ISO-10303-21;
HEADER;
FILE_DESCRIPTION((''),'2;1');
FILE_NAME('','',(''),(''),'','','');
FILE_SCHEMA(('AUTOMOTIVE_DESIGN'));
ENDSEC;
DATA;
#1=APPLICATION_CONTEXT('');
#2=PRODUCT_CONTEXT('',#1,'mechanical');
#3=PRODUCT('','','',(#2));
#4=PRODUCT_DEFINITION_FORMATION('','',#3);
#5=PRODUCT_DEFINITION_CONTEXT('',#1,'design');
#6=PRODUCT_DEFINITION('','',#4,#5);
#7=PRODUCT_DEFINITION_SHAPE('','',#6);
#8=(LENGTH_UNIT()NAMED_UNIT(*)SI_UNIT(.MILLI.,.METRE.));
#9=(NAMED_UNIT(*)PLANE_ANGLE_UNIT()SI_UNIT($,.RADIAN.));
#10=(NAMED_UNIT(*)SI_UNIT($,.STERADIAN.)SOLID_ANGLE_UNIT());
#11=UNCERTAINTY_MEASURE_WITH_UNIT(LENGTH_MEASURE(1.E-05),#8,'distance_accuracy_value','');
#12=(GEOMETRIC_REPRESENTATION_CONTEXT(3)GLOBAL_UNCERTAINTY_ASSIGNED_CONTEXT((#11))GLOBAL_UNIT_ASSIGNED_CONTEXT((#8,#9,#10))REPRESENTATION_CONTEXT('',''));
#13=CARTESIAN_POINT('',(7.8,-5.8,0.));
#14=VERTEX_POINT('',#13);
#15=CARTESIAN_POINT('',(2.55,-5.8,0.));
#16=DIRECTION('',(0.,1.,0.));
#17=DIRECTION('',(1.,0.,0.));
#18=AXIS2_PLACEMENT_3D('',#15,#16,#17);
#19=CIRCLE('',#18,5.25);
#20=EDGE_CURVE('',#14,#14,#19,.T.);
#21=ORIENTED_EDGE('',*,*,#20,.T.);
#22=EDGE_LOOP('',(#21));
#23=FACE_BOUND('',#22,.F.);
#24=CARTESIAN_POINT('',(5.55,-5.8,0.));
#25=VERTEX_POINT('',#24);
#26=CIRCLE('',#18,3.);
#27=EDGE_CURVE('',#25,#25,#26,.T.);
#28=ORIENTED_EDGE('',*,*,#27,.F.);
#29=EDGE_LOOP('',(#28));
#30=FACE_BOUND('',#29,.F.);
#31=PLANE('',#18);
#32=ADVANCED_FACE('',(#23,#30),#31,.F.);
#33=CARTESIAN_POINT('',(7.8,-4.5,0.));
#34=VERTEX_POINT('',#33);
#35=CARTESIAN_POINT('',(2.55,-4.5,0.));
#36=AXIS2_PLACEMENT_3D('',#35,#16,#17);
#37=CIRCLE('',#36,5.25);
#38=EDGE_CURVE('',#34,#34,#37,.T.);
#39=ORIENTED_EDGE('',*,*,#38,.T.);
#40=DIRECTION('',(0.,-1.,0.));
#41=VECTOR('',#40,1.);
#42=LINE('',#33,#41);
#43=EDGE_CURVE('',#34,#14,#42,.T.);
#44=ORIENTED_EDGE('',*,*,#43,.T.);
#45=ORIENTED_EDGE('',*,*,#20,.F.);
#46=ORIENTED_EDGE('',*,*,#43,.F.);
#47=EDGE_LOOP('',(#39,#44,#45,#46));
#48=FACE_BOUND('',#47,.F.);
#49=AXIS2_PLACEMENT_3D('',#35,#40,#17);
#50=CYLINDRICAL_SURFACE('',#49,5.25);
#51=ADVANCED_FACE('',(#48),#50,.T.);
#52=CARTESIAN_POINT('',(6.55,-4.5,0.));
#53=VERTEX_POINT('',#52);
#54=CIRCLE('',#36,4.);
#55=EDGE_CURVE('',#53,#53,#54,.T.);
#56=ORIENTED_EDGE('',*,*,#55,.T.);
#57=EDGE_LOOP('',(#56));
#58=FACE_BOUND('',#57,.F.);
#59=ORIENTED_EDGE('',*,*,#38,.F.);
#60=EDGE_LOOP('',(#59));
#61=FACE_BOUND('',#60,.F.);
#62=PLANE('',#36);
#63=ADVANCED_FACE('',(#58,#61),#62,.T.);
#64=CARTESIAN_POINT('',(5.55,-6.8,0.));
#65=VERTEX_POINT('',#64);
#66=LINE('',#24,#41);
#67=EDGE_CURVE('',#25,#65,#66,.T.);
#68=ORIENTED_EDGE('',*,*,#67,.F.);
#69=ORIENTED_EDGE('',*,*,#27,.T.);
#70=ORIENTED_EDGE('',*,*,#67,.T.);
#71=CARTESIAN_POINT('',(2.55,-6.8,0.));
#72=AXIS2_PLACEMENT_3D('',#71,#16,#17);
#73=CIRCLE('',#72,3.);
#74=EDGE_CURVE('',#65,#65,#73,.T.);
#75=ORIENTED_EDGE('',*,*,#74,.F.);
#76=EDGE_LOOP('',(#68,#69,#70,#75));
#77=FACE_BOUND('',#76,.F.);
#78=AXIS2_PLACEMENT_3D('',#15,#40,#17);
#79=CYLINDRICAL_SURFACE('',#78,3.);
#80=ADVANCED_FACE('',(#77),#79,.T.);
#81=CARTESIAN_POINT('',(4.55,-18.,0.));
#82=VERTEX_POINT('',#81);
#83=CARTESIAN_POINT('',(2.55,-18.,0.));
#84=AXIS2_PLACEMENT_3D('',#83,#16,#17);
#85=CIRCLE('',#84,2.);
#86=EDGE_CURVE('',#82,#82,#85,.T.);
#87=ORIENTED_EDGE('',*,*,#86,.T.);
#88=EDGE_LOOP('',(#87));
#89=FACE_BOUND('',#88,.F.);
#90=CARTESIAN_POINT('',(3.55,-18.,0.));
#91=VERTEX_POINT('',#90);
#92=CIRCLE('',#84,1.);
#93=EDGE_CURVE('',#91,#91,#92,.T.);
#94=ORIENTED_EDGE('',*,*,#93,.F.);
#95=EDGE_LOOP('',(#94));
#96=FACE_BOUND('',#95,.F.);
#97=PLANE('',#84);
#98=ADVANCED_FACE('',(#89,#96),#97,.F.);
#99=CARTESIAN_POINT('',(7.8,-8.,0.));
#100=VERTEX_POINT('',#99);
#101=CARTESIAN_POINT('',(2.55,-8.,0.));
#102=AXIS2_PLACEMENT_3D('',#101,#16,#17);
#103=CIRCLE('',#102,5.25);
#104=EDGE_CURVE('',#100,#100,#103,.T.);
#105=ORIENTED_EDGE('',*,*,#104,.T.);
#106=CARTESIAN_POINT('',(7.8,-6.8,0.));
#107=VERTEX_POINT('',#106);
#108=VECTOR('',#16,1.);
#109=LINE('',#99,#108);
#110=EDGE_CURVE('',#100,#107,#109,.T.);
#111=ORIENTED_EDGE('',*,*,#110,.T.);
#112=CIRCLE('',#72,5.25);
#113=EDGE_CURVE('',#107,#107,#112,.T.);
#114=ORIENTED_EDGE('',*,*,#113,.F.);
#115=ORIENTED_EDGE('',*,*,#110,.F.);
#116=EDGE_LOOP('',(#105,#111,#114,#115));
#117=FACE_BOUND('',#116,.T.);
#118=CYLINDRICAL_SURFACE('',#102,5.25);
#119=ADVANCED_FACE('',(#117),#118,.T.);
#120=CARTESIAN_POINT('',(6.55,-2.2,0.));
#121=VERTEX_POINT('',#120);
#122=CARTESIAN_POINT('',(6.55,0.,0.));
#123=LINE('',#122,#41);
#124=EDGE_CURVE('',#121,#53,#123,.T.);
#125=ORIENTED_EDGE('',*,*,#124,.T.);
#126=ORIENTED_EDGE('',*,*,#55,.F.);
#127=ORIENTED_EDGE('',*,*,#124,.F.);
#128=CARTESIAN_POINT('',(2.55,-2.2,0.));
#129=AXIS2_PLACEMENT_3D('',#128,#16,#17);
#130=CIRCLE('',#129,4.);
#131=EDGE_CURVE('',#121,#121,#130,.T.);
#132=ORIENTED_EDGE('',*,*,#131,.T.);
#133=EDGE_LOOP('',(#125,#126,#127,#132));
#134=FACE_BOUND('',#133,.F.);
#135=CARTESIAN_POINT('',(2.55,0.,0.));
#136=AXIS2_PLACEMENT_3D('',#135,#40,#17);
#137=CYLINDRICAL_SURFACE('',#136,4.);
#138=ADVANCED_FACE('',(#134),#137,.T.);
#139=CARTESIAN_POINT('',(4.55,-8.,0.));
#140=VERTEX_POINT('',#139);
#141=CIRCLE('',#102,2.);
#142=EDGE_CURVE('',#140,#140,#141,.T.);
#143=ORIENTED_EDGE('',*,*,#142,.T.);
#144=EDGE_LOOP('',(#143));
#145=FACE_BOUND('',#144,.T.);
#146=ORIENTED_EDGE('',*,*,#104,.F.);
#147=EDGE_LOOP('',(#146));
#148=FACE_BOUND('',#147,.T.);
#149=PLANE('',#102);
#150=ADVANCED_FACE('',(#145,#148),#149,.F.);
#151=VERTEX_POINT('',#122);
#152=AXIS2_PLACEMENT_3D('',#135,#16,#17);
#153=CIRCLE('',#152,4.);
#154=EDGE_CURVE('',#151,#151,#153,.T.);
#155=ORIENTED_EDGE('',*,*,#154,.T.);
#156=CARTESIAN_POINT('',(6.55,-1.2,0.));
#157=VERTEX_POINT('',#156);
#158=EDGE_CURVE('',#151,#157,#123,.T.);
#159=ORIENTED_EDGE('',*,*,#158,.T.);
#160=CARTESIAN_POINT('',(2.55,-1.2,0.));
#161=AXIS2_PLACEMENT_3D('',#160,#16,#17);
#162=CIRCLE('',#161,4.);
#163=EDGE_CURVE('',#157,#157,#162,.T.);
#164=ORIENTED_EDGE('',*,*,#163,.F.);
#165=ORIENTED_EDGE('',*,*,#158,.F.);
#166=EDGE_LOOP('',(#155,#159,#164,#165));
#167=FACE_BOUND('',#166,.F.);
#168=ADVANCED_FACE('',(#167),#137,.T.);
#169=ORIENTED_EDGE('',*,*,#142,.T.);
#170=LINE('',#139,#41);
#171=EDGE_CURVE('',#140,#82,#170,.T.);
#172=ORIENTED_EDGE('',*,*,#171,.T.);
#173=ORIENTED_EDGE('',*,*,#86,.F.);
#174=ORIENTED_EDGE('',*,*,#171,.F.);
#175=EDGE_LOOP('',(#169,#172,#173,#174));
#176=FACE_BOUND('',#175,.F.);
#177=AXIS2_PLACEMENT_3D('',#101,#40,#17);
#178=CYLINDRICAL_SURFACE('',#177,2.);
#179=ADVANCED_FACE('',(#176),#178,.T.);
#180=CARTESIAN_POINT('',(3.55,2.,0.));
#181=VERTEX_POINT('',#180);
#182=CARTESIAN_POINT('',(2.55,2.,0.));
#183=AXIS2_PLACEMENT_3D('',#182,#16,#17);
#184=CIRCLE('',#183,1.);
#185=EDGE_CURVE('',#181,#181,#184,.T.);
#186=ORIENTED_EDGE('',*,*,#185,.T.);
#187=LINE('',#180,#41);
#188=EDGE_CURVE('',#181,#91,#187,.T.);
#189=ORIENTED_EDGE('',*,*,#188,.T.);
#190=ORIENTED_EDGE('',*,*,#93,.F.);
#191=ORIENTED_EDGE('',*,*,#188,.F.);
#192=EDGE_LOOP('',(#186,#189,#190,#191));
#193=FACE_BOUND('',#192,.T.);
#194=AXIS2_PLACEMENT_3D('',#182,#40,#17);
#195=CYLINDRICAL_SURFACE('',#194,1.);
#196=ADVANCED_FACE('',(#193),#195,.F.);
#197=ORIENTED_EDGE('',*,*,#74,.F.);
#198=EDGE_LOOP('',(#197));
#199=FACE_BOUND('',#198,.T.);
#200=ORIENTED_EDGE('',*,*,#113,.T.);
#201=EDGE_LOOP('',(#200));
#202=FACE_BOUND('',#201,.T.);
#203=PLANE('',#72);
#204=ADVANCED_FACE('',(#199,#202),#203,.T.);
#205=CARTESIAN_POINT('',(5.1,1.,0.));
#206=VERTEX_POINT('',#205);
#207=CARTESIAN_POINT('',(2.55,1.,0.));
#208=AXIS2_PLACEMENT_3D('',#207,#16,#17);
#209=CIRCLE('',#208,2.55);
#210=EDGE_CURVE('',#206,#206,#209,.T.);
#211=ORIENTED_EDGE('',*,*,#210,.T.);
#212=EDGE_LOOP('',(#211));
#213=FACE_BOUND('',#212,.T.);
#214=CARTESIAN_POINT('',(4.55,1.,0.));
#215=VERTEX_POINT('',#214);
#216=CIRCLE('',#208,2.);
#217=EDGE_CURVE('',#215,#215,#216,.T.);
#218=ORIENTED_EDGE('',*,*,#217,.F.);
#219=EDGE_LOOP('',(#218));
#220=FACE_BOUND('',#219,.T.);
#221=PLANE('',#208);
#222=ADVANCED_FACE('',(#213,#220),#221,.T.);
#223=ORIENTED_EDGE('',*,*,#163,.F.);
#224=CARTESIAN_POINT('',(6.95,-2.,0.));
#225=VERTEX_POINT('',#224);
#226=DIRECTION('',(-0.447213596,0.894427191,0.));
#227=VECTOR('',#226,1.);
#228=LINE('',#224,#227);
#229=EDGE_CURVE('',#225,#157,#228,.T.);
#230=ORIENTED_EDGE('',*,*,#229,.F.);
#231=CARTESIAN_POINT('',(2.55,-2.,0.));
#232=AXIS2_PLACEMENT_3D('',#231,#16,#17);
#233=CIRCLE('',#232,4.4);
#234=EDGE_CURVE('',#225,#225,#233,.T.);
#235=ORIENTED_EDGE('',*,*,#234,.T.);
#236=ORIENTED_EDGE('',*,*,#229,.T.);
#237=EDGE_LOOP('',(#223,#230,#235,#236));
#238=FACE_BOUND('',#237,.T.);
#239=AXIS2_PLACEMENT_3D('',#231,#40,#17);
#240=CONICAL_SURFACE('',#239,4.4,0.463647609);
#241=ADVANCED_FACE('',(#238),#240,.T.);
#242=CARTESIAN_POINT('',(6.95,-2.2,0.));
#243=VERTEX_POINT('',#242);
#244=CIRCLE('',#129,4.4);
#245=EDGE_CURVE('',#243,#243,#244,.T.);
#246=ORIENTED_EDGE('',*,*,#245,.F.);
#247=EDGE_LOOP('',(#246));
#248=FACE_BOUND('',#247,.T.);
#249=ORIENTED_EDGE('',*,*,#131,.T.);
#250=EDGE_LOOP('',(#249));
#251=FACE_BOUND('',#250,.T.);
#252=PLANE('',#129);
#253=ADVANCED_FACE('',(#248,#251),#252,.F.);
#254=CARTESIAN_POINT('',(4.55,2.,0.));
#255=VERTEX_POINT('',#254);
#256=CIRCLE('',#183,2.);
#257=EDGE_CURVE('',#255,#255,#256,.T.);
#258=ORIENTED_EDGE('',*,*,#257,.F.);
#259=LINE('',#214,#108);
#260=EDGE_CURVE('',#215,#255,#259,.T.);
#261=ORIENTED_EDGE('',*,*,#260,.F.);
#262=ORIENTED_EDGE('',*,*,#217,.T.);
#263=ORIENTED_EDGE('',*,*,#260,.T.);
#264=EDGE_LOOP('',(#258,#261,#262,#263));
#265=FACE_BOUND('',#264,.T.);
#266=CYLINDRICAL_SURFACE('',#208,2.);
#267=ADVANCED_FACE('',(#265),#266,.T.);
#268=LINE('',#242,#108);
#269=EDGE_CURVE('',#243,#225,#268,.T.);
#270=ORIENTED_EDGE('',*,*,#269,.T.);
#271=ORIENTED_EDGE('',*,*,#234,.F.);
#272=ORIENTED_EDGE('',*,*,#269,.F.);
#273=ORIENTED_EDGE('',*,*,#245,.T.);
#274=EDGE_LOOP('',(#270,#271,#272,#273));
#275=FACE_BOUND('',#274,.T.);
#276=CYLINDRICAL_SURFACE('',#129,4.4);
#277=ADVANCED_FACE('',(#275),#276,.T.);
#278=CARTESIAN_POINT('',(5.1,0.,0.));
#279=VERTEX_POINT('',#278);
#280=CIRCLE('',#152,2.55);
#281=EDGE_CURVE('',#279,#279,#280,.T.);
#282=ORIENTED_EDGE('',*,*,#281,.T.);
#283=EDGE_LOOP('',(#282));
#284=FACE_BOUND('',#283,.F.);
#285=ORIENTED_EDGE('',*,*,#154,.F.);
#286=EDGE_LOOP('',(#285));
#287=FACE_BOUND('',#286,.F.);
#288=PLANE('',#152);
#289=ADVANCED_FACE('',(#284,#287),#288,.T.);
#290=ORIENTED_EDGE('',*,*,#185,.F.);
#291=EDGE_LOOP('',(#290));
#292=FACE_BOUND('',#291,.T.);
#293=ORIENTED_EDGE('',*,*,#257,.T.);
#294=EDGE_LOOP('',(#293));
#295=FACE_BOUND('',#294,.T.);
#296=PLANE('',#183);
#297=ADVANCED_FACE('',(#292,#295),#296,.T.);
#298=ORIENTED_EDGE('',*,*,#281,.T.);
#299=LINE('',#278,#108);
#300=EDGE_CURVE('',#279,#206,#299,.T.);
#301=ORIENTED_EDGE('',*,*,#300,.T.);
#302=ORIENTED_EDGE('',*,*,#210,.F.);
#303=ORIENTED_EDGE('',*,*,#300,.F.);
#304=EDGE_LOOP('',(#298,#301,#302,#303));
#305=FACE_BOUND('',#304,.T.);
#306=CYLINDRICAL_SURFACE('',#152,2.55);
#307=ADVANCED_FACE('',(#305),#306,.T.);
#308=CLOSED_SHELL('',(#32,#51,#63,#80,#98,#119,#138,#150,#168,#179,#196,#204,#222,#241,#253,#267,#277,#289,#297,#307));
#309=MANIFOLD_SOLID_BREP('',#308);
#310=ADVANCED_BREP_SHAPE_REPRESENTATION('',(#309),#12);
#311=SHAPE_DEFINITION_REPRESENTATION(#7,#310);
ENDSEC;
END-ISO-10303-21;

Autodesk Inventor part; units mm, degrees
ref_plane "YZ Plane" through (0, 0, 0) normal (1, 0, 0) x (0, 1, 0)
ref_plane "XZ Plane" through (0, 0, 0) normal (0, 1, 0) x (-1, 0, 0)
ref_plane "XY Plane" through (0, 0, 0) normal (0, 0, 1) x (1, 0, 0)
sketch "Sketch1" plane through (0, 0, 0) normal (0, 0, 1) x (1, 0, 0)
  line L0 (0, 0) -> (5.1, 0)
  line L1 (5.1, 0) -> (5.1, 1)
  line L2 (5.1, 1) -> (0, 1)
  line L3 (0, 1) -> (0, 0)
  line L4 (2.55, 1) -> (2.55, -8)
  line L5 (2.55, 1) -> (4.55, 1)
  line L6 (4.55, 1) -> (4.55, 2)
  line L7 (4.55, 2) -> (2.55, 2)
  line L8 (2.55, 2) -> (2.55, 1)
  line L9 (2.55, 0) -> (6.55, 0)
  line L10 (6.55, 0) -> (6.55, -4.5)
  line L11 (6.55, -4.5) -> (2.55, -4.5)
  line L12 (2.55, -4.5) -> (2.55, 0)
  line L13 (6.55, -2.2) -> (6.95, -2.2)
  line L14 (6.95, -2.2) -> (6.95, -1.2)
  line L15 (6.95, -1.2) -> (6.55, -1.2) construction
  line L16 (6.55, -1.2) -> (6.55, -2.2)
  line L17 (6.95, -2.2) -> (6.95, -2)
  line L18 (6.95, -2) -> (6.55, -1.2)
  line L19 (2.55, -4.5) -> (7.8, -4.5)
  line L20 (7.8, -4.5) -> (7.8, -5.8)
  line L21 (7.8, -5.8) -> (2.55, -5.8)
  line L22 (2.55, -5.8) -> (2.55, -4.5)
  line L23 (2.55, -8) -> (7.8, -8)
  line L24 (7.8, -8) -> (7.8, -6.8)
  line L25 (7.8, -6.8) -> (2.55, -6.8)
  line L26 (2.55, -6.8) -> (2.55, -8)
  line L27 (2.55, -5.8) -> (5.55, -5.8)
  line L28 (5.55, -5.8) -> (5.55, -6.8)
  line L29 (5.55, -6.8) -> (2.55, -6.8)
  line L30 (2.55, -6.8) -> (2.55, -5.8)
  line L31 (2.55, -8) -> (4.55, -8)
  line L32 (4.55, -8) -> (4.55, -18)
  line L33 (4.55, -18) -> (2.55, -18)
  line L34 (2.55, -18) -> (2.55, -8)
  line L35 (2.55, 2) -> (3.55, 2)
  line L36 (3.55, 2) -> (3.55, -18)
  line L37 (3.55, -18) -> (2.55, -18)
  line L38 (2.55, -18) -> (2.55, 2)
  dimension "d0" = 5.1
  dimension "d1" = 1
  dimension "d2" = 9
  dimension "d3" = 2
  dimension "d4" = 1
  dimension "d5" = 4
  dimension "d6" = 4.5
  dimension "d7" = 0.4
  dimension "d8" = 1
  dimension "d9" = 0.2
  dimension "d10" = 1.2
  dimension "d11" = 5.25
  dimension "d12" = 1.3
  dimension "d13" = 1.2
  dimension "d14" = 3
  dimension "d15" = 2
  dimension "d16" = 10
  dimension "d17" = 1
revolve "Revolution1" add sketch "Sketch1" angle 360 about axis through (2.55, -18, 0) along (0, 1, 0) contours L36 L2 L1 L0 | L0 L9 L10 L11 L36 | L36 L7 L6 L2 | L11 L19 L20 L21 L36 | L21 L28 L25 L36 | L18 L14 L13 L10 | L25 L24 L23 L36 | L23 L32 L33 L36
properties part number "colle ptfe guide"
